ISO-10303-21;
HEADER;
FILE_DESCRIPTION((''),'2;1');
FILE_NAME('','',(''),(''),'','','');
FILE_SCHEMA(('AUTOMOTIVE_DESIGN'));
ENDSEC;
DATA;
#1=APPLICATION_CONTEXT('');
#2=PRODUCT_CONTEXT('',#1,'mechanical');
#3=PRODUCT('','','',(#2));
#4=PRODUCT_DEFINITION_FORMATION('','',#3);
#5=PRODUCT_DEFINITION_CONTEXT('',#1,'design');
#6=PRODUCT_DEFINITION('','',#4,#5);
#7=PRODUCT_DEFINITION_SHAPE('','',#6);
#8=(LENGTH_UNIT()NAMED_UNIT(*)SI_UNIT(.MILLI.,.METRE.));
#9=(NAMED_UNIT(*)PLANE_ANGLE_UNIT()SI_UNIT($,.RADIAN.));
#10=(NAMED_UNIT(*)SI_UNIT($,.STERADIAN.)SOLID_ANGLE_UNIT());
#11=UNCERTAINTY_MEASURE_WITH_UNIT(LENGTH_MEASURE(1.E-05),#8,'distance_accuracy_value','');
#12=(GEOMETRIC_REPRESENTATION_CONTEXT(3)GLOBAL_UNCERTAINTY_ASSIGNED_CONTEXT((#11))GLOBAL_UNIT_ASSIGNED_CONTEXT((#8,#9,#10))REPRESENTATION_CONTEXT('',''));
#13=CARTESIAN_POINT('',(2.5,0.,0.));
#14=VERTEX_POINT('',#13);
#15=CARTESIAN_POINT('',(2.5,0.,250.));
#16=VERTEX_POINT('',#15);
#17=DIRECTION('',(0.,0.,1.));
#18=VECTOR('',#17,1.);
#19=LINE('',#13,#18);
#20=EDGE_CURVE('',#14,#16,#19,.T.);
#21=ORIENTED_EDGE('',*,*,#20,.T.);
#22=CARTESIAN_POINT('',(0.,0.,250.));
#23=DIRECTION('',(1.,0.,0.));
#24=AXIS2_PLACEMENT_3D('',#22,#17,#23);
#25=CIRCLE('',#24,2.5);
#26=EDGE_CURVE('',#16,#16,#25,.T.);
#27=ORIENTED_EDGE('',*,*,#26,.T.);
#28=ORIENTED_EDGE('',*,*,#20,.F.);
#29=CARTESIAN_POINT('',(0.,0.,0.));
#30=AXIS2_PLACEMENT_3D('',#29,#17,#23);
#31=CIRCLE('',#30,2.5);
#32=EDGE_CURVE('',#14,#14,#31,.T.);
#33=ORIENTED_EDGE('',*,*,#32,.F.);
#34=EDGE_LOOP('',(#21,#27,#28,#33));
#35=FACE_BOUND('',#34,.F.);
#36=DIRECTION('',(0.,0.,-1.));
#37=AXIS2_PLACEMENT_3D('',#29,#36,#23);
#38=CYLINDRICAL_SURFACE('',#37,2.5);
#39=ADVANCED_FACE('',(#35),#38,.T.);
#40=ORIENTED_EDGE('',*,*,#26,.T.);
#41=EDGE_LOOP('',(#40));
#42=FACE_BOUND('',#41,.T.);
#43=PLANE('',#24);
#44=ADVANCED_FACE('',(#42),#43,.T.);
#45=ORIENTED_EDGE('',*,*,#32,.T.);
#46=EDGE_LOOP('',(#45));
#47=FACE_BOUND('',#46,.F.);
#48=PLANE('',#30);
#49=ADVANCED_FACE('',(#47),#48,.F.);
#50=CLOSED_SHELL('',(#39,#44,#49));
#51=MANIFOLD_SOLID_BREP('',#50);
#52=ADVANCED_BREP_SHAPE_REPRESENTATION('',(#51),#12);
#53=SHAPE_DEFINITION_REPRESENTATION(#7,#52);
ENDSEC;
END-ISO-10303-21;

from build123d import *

# Parameters (mm, degrees)
SKETCH1_R           = 2.5
BOSS_EXTRUDE1_DEPTH = 250


with BuildPart() as part:
    # Sketch1 → Boss-Extrude1 (new body)
    with BuildSketch(Plane.XY):
        Circle(SKETCH1_R)
    extrude(amount=BOSS_EXTRUDE1_DEPTH)


solid = part.part
